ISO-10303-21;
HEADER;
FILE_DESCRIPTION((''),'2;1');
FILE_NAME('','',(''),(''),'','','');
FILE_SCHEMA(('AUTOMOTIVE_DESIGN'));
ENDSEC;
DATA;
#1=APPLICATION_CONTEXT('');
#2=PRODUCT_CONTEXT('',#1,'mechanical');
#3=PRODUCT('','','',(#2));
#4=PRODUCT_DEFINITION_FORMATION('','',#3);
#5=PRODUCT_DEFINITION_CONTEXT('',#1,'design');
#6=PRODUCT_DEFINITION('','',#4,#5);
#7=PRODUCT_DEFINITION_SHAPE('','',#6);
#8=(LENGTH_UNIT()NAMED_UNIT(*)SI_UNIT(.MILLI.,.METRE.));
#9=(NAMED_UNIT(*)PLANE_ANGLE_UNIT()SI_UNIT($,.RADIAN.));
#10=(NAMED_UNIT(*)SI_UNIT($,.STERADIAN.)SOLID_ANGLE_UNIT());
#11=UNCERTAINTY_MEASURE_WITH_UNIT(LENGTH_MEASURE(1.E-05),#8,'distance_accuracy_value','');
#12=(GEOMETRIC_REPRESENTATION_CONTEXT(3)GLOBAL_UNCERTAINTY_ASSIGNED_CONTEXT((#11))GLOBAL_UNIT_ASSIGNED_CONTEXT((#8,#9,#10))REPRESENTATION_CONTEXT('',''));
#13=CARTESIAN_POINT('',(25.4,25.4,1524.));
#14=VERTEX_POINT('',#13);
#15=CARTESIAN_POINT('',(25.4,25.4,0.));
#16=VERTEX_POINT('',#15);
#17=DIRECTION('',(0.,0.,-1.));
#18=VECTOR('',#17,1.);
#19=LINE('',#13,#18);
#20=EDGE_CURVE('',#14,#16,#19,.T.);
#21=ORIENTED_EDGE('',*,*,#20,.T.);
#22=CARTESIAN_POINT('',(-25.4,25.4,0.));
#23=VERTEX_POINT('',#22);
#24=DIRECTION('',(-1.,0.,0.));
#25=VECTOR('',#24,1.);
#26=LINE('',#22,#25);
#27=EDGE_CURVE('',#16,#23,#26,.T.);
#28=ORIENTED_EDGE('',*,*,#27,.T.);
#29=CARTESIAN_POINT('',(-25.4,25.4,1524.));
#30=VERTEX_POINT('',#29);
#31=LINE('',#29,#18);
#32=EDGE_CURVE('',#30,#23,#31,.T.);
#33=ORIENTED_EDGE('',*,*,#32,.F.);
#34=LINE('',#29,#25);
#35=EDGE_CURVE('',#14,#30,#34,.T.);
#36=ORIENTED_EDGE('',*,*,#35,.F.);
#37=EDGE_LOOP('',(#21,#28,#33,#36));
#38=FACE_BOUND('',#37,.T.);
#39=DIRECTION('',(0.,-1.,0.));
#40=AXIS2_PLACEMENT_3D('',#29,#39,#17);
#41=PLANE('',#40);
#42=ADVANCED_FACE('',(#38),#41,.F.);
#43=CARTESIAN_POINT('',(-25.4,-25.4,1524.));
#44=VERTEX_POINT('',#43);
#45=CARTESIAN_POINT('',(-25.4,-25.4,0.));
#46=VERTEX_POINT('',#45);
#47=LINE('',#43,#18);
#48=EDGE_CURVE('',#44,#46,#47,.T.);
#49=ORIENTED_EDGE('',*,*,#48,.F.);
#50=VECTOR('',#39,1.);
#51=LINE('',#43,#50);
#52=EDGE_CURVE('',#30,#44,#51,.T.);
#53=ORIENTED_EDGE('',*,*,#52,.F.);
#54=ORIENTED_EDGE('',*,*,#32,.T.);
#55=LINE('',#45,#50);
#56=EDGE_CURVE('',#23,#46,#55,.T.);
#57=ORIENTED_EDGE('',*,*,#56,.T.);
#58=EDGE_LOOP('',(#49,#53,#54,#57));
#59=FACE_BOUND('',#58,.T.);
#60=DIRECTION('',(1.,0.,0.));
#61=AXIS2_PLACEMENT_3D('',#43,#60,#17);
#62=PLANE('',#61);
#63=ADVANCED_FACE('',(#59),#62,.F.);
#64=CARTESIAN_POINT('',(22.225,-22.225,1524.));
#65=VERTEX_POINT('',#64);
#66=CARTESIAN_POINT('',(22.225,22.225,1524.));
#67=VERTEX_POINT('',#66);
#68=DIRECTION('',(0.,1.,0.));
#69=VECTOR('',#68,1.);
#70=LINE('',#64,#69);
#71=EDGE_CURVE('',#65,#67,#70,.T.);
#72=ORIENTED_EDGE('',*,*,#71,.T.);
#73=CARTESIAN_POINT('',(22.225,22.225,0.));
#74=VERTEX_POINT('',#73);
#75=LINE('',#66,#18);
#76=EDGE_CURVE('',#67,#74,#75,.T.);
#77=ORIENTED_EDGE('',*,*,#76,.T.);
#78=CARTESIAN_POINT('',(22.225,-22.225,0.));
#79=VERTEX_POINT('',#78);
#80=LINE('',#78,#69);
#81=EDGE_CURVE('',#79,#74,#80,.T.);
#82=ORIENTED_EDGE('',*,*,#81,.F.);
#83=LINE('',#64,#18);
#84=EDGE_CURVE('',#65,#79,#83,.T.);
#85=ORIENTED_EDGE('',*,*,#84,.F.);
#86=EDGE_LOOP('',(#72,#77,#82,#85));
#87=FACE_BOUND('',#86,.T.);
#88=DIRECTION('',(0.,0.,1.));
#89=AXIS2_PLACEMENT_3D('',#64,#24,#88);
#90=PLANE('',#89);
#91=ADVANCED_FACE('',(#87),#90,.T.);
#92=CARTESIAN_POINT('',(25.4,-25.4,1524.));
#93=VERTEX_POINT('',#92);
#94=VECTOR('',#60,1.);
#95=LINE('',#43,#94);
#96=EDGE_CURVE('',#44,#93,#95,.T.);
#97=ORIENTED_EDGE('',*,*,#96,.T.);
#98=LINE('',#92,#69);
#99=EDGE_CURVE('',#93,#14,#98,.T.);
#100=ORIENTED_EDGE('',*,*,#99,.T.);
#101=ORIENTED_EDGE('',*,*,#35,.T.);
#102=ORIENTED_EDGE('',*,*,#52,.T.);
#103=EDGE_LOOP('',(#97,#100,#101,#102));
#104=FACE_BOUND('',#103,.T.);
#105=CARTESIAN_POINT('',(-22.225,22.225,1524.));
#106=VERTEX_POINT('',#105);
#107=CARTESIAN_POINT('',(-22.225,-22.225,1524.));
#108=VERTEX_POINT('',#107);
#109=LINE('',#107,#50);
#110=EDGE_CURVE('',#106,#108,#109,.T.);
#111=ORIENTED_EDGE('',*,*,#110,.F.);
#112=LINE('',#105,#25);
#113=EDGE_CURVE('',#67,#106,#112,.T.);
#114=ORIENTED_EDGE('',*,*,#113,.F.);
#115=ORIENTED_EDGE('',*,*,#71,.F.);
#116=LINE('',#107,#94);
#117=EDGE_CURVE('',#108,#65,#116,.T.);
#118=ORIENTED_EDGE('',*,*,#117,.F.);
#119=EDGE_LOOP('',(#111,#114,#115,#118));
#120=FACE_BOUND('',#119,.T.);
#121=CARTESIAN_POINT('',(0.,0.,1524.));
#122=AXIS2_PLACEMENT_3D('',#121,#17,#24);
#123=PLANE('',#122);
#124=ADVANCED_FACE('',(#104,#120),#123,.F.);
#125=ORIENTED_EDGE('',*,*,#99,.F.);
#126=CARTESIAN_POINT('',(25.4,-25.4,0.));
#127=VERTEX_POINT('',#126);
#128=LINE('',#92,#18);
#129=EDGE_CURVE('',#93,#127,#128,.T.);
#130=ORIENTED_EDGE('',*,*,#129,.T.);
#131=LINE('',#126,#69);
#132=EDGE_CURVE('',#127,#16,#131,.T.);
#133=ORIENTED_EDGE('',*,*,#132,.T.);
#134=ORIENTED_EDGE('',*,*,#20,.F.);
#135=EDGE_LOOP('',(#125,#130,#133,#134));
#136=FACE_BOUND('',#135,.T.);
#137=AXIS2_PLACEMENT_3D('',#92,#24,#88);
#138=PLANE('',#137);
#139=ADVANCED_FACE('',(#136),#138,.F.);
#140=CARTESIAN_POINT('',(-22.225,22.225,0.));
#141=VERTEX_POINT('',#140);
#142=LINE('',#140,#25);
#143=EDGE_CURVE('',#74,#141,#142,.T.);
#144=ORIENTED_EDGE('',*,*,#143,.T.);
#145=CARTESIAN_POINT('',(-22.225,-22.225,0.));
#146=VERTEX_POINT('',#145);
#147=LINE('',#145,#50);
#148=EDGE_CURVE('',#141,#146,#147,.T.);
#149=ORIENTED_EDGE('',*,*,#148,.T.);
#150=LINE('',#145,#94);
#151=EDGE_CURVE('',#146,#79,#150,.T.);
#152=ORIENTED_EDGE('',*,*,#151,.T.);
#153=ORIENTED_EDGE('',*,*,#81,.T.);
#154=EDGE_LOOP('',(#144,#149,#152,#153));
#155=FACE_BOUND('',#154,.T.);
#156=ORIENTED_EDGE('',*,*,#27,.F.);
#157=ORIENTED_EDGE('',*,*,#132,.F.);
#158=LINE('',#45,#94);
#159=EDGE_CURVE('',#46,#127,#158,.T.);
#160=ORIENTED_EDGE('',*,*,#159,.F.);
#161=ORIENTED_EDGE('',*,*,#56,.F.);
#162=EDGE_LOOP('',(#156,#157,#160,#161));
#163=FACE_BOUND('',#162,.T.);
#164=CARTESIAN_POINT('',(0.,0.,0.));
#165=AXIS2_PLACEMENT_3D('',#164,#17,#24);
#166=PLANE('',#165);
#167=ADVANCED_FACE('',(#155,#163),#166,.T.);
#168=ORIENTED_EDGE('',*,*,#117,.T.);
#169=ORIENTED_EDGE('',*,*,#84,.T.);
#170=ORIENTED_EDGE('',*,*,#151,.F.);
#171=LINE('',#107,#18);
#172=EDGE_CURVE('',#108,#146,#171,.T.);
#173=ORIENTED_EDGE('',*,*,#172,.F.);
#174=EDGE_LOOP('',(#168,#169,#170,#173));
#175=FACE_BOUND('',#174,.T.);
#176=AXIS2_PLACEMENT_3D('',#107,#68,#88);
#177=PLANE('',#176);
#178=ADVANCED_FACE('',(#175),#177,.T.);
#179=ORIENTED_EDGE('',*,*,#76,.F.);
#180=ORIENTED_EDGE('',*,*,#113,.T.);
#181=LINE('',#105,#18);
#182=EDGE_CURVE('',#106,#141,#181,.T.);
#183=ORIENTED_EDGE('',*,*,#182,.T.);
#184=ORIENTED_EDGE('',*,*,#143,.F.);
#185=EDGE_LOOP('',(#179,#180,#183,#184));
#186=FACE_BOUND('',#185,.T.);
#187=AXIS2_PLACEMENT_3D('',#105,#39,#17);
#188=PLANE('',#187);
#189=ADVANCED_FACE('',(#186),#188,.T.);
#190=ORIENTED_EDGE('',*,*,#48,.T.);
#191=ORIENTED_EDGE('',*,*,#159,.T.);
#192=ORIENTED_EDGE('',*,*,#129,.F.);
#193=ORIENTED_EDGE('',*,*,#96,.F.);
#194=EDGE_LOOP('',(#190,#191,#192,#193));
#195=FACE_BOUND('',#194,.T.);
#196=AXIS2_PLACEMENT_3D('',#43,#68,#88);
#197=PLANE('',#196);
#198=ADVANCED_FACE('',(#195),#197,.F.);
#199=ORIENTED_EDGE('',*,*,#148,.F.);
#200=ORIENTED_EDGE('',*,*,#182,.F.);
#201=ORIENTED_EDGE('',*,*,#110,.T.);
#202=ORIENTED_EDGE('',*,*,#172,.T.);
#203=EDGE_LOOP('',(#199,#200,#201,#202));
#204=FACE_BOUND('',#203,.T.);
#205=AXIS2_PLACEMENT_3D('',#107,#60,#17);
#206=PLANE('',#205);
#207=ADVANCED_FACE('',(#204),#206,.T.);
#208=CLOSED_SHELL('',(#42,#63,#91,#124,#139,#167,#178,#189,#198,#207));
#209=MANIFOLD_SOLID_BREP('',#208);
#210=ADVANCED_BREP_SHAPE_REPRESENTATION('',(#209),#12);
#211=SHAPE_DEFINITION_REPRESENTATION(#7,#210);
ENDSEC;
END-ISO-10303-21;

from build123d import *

# Parameters (mm, degrees)
SKETCH1_W           = 50.8
SKETCH1_H           = 50.8
SKETCH1_W_2         = 44.45
SKETCH1_H_2         = 44.45
BOSS_EXTRUDE1_DEPTH = 1524


with BuildPart() as part:
    # Sketch1 → Boss-Extrude1 (new body)
    with BuildSketch(Plane.XY):
        Rectangle(SKETCH1_W, SKETCH1_H)
        Rectangle(SKETCH1_W_2, SKETCH1_H_2, mode=Mode.SUBTRACT)
    extrude(amount=BOSS_EXTRUDE1_DEPTH)


solid = part.part
